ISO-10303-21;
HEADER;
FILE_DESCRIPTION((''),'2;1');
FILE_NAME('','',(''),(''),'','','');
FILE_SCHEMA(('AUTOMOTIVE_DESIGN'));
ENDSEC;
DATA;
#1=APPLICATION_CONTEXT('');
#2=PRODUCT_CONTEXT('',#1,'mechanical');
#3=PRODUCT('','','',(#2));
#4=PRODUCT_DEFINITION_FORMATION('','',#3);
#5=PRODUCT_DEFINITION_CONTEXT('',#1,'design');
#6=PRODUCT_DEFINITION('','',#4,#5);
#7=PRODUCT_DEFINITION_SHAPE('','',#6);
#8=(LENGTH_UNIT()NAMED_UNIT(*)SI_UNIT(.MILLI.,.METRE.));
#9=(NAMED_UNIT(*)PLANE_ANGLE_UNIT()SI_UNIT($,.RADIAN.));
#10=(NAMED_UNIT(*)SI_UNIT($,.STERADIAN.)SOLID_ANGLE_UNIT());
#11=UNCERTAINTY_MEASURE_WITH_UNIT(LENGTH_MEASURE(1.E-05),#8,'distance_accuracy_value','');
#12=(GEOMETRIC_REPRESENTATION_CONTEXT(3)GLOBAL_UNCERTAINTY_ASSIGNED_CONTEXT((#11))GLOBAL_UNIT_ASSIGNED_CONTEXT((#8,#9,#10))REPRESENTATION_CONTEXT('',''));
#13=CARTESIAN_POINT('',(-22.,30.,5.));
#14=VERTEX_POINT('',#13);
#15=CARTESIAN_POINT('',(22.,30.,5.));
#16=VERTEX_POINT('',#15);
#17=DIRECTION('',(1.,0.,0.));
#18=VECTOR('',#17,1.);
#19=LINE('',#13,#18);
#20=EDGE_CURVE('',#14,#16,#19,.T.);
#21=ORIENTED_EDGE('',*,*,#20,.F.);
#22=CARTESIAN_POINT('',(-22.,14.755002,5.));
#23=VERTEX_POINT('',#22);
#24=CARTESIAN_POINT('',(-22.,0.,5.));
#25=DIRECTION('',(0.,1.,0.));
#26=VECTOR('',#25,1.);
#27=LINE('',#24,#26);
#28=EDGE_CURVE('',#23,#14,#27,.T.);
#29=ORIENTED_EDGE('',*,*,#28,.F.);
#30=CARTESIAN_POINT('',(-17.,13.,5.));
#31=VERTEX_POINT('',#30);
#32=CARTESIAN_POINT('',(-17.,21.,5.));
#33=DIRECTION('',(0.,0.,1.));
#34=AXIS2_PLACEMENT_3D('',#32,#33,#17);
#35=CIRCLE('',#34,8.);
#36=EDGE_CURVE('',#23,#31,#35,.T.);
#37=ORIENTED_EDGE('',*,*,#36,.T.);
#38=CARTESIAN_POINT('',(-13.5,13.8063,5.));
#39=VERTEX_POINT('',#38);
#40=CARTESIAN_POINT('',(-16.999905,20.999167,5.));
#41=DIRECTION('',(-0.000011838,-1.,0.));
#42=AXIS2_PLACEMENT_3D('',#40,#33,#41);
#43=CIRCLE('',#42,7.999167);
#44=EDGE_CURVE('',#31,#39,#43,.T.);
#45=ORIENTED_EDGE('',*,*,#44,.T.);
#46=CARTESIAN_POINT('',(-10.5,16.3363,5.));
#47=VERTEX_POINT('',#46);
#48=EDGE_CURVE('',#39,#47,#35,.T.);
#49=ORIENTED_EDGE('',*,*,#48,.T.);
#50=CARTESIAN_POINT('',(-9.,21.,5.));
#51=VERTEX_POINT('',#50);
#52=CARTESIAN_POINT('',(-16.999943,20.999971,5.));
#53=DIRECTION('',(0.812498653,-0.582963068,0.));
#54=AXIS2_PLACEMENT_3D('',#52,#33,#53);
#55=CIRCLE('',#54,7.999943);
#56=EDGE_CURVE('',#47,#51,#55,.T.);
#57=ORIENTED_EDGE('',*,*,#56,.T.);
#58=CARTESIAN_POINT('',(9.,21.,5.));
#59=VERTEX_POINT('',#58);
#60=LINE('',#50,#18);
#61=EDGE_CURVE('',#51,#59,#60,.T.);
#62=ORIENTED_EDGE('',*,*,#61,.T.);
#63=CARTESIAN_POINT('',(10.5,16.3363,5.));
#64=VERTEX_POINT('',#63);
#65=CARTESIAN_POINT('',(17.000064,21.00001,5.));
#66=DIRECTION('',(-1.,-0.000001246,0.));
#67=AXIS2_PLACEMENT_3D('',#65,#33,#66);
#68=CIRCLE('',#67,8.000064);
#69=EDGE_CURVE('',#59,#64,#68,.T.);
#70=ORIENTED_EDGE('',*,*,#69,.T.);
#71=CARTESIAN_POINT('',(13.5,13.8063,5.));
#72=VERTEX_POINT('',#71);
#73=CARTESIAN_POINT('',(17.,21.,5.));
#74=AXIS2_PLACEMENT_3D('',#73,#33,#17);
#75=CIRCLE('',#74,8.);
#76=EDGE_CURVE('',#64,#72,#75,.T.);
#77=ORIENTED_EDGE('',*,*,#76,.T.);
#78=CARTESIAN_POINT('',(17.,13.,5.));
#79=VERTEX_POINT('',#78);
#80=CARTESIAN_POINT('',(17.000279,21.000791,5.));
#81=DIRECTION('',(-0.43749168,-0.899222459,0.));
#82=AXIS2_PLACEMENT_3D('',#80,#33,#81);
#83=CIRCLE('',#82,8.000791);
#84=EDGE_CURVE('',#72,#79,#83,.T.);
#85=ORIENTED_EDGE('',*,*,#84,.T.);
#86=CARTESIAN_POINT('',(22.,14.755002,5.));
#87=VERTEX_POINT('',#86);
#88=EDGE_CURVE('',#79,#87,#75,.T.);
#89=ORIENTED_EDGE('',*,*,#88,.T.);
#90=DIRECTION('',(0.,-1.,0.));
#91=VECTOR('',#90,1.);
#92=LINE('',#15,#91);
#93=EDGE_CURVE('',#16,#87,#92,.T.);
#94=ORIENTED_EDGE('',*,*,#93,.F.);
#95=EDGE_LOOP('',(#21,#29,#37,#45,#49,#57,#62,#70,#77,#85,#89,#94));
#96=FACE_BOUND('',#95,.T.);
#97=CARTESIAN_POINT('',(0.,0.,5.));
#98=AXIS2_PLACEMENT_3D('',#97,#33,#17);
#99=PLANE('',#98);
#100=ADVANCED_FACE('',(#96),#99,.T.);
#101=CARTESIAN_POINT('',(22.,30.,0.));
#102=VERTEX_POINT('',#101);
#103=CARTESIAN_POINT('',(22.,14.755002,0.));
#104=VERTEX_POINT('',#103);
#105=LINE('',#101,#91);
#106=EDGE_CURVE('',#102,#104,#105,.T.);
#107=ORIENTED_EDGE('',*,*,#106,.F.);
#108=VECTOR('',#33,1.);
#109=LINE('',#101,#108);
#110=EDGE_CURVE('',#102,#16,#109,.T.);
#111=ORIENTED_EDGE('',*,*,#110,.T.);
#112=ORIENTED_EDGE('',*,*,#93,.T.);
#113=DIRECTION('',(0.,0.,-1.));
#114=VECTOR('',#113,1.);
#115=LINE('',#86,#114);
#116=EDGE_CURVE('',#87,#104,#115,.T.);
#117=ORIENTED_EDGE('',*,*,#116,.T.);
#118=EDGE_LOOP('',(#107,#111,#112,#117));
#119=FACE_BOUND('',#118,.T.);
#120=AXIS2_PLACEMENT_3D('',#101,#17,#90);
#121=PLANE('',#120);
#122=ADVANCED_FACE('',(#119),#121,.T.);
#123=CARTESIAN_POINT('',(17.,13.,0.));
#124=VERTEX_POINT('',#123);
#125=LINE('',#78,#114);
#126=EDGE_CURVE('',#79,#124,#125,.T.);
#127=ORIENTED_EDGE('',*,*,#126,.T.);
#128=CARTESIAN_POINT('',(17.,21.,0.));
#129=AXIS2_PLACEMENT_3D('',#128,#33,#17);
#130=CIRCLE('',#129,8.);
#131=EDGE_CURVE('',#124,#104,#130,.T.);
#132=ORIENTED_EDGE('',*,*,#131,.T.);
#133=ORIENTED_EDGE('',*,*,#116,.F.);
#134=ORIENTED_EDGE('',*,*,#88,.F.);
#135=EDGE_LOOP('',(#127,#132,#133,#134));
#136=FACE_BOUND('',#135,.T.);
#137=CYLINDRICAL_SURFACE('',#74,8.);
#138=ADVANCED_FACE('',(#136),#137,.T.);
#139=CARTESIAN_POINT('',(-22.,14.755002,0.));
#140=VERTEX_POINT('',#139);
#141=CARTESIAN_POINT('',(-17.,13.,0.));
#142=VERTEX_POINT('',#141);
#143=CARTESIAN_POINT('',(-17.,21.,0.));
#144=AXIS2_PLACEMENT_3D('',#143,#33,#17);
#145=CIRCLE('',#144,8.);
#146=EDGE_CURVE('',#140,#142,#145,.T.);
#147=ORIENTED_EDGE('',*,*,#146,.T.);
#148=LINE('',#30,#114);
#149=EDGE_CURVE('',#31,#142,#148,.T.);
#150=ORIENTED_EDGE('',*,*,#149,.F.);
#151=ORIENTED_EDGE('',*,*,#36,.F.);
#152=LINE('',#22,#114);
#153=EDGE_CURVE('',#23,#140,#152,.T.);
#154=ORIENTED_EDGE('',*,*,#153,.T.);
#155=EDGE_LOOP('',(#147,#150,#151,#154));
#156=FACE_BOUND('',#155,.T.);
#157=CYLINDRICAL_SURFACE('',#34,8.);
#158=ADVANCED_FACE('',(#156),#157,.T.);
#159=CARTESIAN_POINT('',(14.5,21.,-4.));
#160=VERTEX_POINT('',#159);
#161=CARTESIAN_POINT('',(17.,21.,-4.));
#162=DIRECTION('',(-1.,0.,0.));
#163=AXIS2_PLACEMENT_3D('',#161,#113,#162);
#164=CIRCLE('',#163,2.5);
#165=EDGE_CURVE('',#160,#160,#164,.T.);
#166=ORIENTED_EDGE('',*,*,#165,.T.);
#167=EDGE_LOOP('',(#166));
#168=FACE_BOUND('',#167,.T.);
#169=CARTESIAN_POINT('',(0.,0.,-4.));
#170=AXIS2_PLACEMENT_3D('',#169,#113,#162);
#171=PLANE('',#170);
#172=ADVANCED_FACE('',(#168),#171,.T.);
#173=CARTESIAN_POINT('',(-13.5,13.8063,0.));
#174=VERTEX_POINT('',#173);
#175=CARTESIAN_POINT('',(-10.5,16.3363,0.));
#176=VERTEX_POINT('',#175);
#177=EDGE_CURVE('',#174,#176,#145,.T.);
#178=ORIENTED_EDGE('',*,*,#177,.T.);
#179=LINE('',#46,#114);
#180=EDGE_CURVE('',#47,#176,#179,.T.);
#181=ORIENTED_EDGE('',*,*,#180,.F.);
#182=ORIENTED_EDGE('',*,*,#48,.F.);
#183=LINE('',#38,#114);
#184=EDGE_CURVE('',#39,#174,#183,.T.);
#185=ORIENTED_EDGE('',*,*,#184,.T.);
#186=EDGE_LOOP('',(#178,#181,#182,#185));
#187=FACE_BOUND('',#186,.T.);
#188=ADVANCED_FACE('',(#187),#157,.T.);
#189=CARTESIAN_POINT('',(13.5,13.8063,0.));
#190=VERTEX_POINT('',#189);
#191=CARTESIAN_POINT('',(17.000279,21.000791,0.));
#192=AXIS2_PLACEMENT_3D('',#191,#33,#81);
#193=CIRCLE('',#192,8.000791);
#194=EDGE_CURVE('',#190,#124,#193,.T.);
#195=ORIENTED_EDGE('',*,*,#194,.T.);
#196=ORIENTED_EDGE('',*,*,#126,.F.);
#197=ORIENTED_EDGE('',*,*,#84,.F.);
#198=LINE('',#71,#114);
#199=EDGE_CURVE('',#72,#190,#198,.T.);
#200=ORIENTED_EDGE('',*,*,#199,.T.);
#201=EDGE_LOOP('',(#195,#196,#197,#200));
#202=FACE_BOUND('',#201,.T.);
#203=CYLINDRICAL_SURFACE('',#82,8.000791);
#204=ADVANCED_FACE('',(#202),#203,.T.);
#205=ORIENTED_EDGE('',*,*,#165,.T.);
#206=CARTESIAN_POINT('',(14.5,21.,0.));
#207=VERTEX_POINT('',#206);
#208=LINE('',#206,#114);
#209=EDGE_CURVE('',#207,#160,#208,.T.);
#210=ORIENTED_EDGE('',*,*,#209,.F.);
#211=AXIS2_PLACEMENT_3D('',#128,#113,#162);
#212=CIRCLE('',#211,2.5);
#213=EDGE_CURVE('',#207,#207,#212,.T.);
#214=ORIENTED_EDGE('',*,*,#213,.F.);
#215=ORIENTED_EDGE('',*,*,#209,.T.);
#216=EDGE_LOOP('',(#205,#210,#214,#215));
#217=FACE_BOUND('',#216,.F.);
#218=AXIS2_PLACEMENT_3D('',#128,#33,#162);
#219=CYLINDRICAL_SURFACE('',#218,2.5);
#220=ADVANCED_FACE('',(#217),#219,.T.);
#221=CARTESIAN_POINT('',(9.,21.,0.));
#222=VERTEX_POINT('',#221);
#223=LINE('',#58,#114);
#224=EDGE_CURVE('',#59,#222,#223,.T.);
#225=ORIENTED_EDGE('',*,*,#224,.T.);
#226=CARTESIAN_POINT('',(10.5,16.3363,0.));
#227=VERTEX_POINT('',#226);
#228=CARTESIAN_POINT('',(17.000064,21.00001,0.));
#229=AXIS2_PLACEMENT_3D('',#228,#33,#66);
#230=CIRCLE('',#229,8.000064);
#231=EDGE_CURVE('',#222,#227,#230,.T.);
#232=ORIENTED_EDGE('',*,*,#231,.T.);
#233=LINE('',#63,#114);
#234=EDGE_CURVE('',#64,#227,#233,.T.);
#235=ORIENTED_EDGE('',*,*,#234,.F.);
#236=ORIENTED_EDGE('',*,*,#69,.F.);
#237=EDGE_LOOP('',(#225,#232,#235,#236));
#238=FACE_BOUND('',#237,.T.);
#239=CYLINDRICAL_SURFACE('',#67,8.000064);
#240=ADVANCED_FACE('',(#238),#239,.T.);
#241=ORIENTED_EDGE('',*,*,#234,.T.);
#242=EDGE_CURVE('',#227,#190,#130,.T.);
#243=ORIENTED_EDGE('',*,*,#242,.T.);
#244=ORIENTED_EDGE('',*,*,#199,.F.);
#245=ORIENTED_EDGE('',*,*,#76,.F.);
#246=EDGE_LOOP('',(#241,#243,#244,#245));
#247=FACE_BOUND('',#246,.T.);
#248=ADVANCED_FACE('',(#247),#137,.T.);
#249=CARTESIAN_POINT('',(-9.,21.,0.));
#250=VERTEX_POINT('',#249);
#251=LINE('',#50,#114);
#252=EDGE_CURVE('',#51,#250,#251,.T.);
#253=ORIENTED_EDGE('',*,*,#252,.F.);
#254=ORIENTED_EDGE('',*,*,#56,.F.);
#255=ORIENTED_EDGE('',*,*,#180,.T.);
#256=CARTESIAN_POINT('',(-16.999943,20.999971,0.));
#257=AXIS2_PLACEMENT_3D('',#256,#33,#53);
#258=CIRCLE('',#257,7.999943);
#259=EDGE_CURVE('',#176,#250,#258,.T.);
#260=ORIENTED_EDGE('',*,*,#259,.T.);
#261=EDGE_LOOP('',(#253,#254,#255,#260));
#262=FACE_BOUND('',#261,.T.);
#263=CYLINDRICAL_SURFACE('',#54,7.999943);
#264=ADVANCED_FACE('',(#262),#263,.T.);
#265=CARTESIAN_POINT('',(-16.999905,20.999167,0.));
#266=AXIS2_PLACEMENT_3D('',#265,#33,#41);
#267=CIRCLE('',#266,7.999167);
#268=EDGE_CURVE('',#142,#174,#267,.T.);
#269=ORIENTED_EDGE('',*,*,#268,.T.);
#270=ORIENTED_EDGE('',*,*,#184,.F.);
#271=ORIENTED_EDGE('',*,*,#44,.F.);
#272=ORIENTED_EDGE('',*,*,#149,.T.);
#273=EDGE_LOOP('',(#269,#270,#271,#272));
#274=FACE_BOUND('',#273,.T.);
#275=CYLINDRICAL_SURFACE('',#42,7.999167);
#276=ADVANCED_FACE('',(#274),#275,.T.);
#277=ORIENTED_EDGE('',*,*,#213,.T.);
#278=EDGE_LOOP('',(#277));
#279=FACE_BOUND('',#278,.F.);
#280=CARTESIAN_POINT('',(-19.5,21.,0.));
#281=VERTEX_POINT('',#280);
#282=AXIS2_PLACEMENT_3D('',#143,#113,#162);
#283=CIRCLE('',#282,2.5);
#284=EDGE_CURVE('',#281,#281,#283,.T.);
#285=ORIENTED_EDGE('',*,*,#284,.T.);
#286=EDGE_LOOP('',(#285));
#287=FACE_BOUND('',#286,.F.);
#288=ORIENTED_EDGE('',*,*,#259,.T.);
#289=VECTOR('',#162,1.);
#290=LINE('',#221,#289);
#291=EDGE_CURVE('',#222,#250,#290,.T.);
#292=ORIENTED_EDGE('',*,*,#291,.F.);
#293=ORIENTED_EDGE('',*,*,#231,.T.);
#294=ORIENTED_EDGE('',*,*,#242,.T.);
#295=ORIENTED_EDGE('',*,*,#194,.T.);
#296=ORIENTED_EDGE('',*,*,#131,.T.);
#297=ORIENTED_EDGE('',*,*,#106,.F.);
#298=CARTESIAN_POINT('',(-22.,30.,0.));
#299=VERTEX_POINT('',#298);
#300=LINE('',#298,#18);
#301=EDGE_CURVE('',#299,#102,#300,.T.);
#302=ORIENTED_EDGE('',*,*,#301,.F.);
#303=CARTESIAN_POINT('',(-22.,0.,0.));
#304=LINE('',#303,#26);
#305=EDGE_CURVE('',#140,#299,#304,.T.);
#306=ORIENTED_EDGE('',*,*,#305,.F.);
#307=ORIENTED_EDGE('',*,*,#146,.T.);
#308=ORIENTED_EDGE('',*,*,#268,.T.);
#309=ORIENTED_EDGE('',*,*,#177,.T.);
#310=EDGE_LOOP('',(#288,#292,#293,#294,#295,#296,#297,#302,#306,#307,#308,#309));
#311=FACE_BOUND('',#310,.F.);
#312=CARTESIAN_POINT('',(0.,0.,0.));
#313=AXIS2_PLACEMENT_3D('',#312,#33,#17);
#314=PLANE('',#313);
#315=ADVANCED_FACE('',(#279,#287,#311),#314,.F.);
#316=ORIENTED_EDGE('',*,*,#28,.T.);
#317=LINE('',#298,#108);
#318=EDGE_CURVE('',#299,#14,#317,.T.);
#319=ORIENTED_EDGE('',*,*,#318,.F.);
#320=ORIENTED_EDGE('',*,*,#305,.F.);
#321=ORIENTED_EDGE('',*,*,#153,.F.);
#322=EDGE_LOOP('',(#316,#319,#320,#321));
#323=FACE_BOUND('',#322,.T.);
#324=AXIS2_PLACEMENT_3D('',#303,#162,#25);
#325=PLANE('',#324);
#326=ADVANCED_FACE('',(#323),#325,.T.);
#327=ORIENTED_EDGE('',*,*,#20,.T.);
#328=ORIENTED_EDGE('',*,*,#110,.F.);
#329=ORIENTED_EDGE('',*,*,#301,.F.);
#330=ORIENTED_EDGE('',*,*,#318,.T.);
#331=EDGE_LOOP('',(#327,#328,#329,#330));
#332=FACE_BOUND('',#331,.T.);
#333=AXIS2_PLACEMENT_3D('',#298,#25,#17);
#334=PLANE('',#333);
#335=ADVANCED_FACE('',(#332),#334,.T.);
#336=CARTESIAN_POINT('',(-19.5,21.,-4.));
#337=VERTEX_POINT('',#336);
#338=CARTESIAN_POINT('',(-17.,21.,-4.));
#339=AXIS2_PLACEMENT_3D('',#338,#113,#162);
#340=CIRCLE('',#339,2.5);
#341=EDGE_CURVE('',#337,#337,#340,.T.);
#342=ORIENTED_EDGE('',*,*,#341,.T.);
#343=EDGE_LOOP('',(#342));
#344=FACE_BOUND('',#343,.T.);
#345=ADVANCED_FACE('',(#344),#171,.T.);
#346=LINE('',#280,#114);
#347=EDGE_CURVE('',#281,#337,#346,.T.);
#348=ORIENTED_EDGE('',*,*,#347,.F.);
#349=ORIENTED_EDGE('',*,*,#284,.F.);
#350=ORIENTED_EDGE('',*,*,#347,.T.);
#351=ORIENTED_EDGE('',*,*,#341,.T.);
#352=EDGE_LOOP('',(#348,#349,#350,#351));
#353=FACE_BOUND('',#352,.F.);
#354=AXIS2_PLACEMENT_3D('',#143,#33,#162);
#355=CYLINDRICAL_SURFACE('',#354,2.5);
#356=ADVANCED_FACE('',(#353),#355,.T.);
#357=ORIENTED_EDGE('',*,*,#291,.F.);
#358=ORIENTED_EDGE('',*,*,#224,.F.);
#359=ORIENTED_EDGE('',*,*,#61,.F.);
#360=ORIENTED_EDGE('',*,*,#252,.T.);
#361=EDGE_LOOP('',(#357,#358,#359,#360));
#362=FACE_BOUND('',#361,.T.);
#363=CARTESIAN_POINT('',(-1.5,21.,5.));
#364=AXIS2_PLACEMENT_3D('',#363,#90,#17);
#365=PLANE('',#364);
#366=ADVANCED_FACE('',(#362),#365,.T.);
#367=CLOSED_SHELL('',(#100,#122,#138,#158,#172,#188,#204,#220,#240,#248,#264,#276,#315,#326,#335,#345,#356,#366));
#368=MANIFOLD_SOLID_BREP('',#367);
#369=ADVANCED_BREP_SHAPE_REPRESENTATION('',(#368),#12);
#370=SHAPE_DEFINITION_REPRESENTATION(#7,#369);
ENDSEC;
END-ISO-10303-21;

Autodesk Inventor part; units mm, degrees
ref_plane "YZ Plane" through (0, 0, 0) normal (1, 0, 0) x (0, 1, 0)
ref_plane "XZ Plane" through (0, 0, 0) normal (0, 1, 0) x (-1, 0, 0)
sketch "スケッチ1" plane through (0, 0, 0) normal (0, 0, 1) x (1, 0, 0)
  line L0 (-22, 30) -> (22, 30)
  line L1 (22, 30) -> (22, 0)
  line L2 (22, 0) -> (-22, 0)
  line L3 (-22, 0) -> (-22, 30)
  point P0 (0, 0)
  point P1 (0, 0)
  dimension "d0" = 30
  dimension "d1" = 44
extrude "押し出し1" add sketch "スケッチ1" along normal blind 5
sketch "スケッチ2" plane through (0, 0, 5) normal (0, 0, 1) x (1, 0, 0)
  arc A0 (-17, 13) -> (-13.5, 13.8063) centre (-17, 21) ccw
  arc A1 (-10.5, 16.3363) -> (-9, 21) centre (-17, 21) ccw
  line L0 (-7.5, 21) -> (-9, 21)
  line L1 (-1.5, 21) -> (-4.5, 21)
  arc A2 (9, 21) -> (10.5, 16.3363) centre (17, 21) ccw
  arc A3 (13.5, 13.8063) -> (17, 13) centre (17, 21) ccw
  circle A4 centre (-17, 21) radius 8
  circle A5 centre (17, 21) radius 8
  line L2 (-9, 21) -> (9, 21)
  line L3 (-22, 0) -> (22, 0)
  line L4 (22, 0) -> (22, 30)
  line L5 (22, 30) -> (-22, 30)
  line L6 (-22, 30) -> (-22, 0)
  point P0 (0, 0)
  point P1 (22, 14.755)
  point P2 (17, 13)
  point P3 (10.5, 16.3363)
  point P4 (-13.5, 13.8063)
  point P5 (-17, 13)
  point P6 (-22, 14.755)
extrude "押し出し2" cut sketch "スケッチ2" against normal through all contours A0 A4 A1 L0 L2 L1 A2 A5 A3 L4 L3 L6
sketch "スケッチ3" plane through (0, 0, 0) normal (0, 0, -1) x (-1, 0, 0)
  circle A0 centre (-17, 21) radius 3 projected
  circle A1 centre (17, 21) radius 3 projected
  circle A2 centre (-17, 21) radius 2.5
  circle A3 centre (17, 21) radius 2.5
  point P0 (0, 0)
  point P1 (-14.9, 18.325)
  dimension "d6" = 5
  dimension "d7" = 5
ref_plane "作業平面1" through (-20, -16, -4) normal (0, 0, 1) x (1, 0, 0)
extrude "押し出し3" add sketch "スケッチ3" along normal up to surface (4 mm away) contours A2 | A3
properties part number "board_setter_upper"
